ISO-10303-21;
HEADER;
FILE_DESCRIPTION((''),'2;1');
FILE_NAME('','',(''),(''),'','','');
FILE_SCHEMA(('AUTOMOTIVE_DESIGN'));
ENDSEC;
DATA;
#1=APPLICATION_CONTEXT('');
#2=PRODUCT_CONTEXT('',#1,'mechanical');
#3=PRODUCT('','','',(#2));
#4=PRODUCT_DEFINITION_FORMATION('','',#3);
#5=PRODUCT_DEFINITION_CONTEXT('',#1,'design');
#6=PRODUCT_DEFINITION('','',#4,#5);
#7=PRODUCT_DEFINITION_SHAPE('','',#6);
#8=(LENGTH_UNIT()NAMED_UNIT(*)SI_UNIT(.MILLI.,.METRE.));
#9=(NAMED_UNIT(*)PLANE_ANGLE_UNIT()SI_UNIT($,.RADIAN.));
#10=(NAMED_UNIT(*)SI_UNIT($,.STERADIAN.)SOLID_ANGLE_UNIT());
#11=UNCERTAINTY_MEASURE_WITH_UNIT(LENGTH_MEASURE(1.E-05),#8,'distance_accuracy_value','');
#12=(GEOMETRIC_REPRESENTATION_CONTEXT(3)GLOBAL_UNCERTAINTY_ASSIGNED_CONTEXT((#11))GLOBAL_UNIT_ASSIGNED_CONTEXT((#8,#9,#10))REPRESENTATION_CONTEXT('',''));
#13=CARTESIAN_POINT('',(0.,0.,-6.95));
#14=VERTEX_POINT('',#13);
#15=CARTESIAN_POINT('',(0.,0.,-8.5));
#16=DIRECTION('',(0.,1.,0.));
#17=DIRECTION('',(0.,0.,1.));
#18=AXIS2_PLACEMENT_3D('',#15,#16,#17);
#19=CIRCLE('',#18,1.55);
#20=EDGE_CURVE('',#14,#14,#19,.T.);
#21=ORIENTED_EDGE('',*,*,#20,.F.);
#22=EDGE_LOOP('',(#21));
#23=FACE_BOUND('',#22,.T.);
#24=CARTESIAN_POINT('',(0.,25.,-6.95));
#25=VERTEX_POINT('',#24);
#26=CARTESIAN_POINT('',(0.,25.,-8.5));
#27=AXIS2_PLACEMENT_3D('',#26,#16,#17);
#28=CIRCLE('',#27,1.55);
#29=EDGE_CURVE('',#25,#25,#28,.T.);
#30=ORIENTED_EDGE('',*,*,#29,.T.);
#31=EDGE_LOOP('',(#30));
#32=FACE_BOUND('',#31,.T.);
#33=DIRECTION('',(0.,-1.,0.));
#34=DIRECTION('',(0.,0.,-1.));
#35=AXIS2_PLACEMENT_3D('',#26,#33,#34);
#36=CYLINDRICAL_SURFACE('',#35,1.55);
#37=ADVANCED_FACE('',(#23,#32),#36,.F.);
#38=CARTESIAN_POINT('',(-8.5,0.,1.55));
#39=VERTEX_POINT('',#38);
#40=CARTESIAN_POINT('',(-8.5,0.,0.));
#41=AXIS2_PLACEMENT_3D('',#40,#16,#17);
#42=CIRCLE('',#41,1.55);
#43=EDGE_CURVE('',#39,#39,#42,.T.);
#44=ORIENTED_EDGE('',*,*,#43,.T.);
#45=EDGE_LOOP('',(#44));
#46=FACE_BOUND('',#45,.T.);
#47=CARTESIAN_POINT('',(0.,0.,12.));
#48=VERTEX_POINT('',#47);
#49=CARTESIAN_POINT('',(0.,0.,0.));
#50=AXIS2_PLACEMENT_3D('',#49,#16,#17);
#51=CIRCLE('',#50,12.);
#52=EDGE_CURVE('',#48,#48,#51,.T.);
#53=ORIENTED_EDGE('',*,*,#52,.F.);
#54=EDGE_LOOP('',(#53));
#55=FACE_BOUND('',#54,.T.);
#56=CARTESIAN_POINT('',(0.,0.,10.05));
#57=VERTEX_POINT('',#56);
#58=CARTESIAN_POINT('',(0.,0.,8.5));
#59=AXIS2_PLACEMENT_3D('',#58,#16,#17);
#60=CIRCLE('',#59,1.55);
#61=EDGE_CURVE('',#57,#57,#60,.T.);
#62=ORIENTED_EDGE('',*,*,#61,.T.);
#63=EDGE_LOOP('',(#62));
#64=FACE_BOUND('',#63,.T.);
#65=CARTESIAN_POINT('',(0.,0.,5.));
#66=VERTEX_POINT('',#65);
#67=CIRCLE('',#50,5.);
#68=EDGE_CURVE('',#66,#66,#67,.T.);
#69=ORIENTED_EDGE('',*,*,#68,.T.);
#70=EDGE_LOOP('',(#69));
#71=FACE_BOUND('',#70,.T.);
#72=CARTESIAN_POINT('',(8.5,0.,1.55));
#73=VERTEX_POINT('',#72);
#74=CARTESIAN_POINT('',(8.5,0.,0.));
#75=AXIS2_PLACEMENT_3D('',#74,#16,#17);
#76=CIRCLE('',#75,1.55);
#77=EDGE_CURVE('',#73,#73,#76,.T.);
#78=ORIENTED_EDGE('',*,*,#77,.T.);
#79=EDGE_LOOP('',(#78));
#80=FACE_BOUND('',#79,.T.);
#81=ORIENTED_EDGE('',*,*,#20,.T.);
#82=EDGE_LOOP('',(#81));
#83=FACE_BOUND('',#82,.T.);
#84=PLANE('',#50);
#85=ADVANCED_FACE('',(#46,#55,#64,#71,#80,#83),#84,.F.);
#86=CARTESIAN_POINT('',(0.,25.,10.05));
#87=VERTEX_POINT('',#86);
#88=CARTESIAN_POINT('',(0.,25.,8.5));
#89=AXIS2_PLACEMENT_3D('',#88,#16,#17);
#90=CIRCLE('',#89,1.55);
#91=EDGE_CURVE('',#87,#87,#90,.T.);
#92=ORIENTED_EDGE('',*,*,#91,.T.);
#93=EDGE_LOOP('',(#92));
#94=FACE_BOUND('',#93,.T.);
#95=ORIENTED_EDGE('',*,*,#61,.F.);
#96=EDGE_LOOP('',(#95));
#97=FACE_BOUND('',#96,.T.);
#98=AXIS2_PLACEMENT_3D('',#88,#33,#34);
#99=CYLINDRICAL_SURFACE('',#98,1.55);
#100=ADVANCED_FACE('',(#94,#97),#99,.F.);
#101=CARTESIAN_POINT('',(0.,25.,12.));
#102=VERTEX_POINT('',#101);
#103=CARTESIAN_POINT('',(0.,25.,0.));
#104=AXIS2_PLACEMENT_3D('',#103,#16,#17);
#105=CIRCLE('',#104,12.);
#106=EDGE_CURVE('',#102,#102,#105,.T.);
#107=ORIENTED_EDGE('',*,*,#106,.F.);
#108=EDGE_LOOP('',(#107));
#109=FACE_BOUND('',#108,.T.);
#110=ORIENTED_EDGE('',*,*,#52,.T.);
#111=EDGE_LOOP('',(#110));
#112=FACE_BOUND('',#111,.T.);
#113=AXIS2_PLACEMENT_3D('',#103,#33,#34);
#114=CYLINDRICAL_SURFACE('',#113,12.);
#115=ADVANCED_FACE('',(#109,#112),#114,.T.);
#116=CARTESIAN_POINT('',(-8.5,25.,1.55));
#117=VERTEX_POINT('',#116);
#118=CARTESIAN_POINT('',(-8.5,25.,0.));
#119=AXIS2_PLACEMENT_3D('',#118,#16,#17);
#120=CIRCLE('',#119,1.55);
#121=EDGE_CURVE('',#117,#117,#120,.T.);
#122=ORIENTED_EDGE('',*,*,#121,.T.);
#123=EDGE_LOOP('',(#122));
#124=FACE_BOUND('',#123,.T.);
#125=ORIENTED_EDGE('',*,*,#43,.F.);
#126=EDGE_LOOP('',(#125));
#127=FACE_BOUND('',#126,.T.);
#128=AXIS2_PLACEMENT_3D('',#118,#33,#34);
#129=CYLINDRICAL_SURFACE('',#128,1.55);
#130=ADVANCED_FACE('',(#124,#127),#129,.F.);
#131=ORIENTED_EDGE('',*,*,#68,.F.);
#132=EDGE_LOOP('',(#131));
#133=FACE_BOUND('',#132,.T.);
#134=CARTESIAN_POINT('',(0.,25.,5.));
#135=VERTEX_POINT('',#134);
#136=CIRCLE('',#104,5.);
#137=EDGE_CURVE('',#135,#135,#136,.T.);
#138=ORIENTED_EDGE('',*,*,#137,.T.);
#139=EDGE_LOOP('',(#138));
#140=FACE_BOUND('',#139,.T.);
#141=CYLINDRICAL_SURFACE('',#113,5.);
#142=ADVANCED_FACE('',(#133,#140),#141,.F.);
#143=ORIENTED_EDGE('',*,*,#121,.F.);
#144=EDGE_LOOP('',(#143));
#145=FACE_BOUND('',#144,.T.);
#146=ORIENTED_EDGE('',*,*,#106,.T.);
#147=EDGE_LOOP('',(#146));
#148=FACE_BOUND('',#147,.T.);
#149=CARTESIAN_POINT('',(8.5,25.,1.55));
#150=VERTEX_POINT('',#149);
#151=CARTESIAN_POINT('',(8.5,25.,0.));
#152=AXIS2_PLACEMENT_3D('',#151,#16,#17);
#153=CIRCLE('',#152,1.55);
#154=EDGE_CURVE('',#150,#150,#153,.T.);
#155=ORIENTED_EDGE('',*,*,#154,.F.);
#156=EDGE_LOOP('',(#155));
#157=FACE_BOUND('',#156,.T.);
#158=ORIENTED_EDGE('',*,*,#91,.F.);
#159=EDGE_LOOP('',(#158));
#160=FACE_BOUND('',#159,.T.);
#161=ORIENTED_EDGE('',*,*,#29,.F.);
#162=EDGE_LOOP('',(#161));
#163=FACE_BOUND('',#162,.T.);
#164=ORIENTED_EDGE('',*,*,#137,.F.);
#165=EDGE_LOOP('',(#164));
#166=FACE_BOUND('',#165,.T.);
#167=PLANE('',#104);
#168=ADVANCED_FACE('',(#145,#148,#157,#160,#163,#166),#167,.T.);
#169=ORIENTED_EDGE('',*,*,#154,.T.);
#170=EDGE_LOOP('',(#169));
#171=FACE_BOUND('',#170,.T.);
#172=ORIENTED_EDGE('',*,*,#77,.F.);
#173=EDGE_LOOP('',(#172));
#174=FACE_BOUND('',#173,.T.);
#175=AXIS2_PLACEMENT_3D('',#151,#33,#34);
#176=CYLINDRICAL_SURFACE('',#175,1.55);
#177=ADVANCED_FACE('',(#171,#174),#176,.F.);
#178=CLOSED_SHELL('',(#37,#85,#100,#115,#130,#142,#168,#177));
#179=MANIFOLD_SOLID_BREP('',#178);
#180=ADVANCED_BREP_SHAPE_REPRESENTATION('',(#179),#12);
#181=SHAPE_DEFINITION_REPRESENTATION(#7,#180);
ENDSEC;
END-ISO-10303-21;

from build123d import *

# Parameters (mm, degrees)
SKETCH1_R           = 12
SKETCH1_R_2         = 1.55
SKETCH1_R_3         = 5
BOSS_EXTRUDE1_DEPTH = 25


with BuildPart() as part:
    # Sketch1 → Boss-Extrude1 (new body)
    with BuildSketch(Plane(origin=(0, 0, 0), x_dir=(1, 0, 0), z_dir=(0, 1, 0))):
        with Locations(Location((0, 0, 0), (0, 0, 270))):
            Circle(SKETCH1_R)
        with Locations(Location((0, 8.5, 0), (0, 0, 270))):
            Circle(SKETCH1_R_2, mode=Mode.SUBTRACT)
        with Locations(Location((8.5, 0, 0), (0, 0, 270))):
            Circle(SKETCH1_R_2, mode=Mode.SUBTRACT)
        with Locations(Location((0, -8.5, 0), (0, 0, 270))):
            Circle(SKETCH1_R_2, mode=Mode.SUBTRACT)
        with Locations(Location((-8.5, 0, 0), (0, 0, 270))):
            Circle(SKETCH1_R_2, mode=Mode.SUBTRACT)
        with Locations(Location((0, 0, 0), (0, 0, 270))):
            Circle(SKETCH1_R_3, mode=Mode.SUBTRACT)
    extrude(amount=BOSS_EXTRUDE1_DEPTH)


solid = part.part
